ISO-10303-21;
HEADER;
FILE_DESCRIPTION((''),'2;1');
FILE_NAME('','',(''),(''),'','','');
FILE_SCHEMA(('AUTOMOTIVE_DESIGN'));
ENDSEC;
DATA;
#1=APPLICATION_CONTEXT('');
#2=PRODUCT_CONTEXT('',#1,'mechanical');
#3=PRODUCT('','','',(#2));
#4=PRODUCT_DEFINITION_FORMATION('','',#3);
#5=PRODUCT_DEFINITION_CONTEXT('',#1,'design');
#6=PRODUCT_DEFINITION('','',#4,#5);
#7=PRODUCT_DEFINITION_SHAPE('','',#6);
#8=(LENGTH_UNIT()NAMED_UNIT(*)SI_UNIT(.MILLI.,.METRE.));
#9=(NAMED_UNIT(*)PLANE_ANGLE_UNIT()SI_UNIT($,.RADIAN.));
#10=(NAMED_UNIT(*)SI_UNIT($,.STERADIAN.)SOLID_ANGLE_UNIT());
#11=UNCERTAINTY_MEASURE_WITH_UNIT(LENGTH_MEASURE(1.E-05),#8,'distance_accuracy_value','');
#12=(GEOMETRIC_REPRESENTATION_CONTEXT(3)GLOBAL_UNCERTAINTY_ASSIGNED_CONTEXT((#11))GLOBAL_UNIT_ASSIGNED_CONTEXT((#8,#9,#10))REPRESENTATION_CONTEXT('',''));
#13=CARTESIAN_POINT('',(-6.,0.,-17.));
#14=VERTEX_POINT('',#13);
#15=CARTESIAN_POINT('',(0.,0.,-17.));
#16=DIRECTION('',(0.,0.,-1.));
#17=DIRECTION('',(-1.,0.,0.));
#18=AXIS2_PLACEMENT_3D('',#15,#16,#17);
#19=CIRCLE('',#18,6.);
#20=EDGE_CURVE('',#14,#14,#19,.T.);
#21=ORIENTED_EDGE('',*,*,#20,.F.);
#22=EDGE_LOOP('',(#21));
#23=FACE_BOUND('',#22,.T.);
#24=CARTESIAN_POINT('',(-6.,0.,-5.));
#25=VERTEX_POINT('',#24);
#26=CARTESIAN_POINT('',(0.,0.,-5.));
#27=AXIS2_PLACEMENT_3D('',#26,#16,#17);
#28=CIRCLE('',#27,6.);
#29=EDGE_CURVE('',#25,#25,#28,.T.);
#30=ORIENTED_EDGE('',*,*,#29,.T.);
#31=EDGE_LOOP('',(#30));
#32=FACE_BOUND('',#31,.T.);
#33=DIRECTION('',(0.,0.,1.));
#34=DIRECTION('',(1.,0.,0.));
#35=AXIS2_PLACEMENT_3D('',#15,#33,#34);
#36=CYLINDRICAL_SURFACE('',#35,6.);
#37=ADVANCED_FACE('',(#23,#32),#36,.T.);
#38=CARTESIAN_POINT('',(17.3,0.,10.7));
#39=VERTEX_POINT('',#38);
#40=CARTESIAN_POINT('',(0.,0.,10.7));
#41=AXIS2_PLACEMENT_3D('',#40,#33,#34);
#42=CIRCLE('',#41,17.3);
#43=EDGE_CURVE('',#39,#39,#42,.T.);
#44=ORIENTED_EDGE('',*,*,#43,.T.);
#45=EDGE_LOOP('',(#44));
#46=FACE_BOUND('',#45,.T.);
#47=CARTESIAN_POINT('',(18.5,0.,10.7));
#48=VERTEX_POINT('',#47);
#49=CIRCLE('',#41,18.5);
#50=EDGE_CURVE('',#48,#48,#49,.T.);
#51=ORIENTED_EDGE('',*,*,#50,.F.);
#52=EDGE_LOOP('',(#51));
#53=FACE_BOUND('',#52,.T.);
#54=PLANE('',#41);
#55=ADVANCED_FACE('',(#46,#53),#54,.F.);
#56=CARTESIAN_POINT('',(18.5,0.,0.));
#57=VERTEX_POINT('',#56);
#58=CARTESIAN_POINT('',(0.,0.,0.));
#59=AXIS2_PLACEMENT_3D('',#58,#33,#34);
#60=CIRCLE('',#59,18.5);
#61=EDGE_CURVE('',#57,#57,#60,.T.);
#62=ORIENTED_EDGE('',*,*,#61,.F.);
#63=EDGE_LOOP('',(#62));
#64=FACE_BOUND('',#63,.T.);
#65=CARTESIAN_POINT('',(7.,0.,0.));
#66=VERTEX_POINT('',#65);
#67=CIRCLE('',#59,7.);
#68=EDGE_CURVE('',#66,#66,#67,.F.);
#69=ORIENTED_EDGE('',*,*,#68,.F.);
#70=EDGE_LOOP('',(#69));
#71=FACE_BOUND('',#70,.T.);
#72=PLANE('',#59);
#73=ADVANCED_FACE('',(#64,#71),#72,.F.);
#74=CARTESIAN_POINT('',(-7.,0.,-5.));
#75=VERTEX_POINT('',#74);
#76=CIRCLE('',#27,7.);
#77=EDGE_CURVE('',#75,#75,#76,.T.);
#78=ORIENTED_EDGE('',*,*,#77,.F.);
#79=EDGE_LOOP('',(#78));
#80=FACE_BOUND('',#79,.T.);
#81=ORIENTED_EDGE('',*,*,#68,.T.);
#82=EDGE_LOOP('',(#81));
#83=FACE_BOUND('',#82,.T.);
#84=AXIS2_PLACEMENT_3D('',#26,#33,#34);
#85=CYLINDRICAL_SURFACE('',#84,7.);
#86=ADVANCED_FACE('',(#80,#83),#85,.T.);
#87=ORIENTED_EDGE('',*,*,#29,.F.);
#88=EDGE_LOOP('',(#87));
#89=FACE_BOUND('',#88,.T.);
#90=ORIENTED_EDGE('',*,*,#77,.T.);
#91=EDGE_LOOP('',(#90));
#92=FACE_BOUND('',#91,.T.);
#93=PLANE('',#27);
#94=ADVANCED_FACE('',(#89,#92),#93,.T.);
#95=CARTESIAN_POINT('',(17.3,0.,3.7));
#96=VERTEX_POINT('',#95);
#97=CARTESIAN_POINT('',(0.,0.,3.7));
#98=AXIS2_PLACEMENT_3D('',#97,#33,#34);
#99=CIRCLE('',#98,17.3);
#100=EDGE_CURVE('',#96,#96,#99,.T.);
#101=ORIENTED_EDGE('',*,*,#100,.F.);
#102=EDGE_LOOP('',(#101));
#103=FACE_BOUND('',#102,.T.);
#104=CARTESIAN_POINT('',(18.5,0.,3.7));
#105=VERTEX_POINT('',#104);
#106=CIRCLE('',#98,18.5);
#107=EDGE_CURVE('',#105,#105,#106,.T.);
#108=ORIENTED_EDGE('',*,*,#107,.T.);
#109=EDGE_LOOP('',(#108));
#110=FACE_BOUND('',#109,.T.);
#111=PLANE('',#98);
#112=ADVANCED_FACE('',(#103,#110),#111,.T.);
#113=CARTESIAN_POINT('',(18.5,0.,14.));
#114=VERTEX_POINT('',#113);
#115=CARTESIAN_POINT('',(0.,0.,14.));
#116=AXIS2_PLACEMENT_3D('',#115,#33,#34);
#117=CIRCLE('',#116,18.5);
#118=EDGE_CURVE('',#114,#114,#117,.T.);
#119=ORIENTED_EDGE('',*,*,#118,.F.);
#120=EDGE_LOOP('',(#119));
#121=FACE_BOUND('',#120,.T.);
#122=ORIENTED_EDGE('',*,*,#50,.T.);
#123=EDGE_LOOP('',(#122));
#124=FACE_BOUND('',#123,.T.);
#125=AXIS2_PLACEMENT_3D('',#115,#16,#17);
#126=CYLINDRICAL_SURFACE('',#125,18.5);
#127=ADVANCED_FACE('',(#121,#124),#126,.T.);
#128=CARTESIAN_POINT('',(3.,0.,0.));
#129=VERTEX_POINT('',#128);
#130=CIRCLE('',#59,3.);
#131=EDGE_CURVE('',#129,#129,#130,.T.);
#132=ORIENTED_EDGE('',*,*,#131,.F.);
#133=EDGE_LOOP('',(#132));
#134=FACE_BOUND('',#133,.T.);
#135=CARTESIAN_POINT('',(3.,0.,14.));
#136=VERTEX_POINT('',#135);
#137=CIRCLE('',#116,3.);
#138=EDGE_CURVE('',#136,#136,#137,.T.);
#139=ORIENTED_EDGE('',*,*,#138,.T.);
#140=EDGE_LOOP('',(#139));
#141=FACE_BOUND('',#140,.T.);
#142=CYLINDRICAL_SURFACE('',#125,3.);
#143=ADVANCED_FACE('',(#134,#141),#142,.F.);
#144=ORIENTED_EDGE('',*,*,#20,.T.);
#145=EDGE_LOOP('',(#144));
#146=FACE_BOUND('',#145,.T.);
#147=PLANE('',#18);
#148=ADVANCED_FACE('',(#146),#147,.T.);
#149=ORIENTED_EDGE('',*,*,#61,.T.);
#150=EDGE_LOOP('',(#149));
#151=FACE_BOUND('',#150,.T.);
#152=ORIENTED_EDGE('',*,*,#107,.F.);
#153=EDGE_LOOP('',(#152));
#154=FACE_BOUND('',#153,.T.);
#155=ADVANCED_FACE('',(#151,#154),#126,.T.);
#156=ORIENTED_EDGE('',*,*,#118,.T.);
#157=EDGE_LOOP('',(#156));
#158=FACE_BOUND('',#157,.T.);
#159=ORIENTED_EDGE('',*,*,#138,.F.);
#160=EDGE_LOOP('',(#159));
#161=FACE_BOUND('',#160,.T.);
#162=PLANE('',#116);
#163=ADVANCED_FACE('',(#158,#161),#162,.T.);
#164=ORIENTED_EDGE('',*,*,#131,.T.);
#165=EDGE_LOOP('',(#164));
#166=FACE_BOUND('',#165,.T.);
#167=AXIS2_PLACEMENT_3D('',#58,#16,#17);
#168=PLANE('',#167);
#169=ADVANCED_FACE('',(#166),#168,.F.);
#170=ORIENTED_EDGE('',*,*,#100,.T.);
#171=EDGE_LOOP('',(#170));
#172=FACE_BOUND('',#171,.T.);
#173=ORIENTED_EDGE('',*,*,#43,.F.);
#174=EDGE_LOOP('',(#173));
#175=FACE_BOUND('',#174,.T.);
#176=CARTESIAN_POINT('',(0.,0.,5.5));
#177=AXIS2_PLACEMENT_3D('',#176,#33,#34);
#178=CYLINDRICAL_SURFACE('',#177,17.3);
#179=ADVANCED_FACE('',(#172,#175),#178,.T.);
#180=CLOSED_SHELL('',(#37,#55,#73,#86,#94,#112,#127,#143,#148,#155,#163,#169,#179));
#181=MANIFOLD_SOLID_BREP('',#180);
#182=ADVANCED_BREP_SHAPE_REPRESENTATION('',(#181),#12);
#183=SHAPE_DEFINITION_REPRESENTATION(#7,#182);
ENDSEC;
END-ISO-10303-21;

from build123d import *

# Parameters (mm, degrees)
SKETCH_1_R          = 18.5
SKETCH_1_R_2        = 3
EXTRUDE_1_DEPTH     = 14
CUT_EXTRUDE_START   = -2.2
SKETCH_2_R          = 18.5
SKETCH_2_R_2        = 17.3
CUT_EXTRUDE_1_DEPTH = 2.2
SKETCH_2_2_R        = 18.5
SKETCH_2_2_R_2      = 17.3
CUT_EXTRUDE_2_DEPTH = 0.8
CUT_EXTRUDE_START_2 = -4
SKETCH_2_4_R        = 18.5
SKETCH_2_4_R_2      = 17.3
CUT_EXTRUDE_3_DEPTH = 4
SKETCH_2_6_R        = 18.5
SKETCH_2_6_R_2      = 17.3
CUT_EXTRUDE_5_DEPTH = 3
SKETCH_3_R          = 7
EXTRUDE_3_DEPTH     = 5
SKETCH_4_R          = 6
EXTRUDE_4_DEPTH     = 12


with BuildPart() as part:
    # 草图1 → 凸台-拉伸1 (new body)
    with BuildSketch(Plane.XY):
        Circle(SKETCH_1_R)
        Circle(SKETCH_1_R_2, mode=Mode.SUBTRACT)
    extrude(amount=EXTRUDE_1_DEPTH)

    # 草图2 → 切除-拉伸1 (cut)
    with BuildSketch(Plane.XY.offset(7.7).offset(CUT_EXTRUDE_START)):
        Circle(SKETCH_2_R)
        Circle(SKETCH_2_R_2, mode=Mode.SUBTRACT)
    extrude(amount=CUT_EXTRUDE_1_DEPTH, mode=Mode.SUBTRACT)

    # 草图2<2> → 切除-拉伸2 (cut)
    with BuildSketch(Plane.XY.offset(7.7)):
        Circle(SKETCH_2_2_R)
        Circle(SKETCH_2_2_R_2, mode=Mode.SUBTRACT)
    extrude(amount=CUT_EXTRUDE_2_DEPTH, mode=Mode.SUBTRACT)

    # 草图2<4> → 切除-拉伸3 (cut)
    with BuildSketch(Plane.XY.offset(7.7).offset(CUT_EXTRUDE_START_2)):
        Circle(SKETCH_2_4_R)
        Circle(SKETCH_2_4_R_2, mode=Mode.SUBTRACT)
    extrude(amount=CUT_EXTRUDE_3_DEPTH, mode=Mode.SUBTRACT)

    # 草图2<6> → 切除-拉伸5 (cut)
    with BuildSketch(Plane.XY.offset(7.7)):
        Circle(SKETCH_2_6_R)
        Circle(SKETCH_2_6_R_2, mode=Mode.SUBTRACT)
    extrude(amount=CUT_EXTRUDE_5_DEPTH, mode=Mode.SUBTRACT)

    # 草图3 → 凸台-拉伸3 (add)
    with BuildSketch(Plane(origin=(0, 0, 0), x_dir=(-1, 0, 0), z_dir=(0, 0, -1))):
        Circle(SKETCH_3_R)
    extrude(amount=EXTRUDE_3_DEPTH)

    # 草图4 → 凸台-拉伸4 (add)
    with BuildSketch(Plane(origin=(0, 0, -5), x_dir=(-1, 0, 0), z_dir=(0, 0, -1))):
        Circle(SKETCH_4_R)
    extrude(amount=EXTRUDE_4_DEPTH)


solid = part.part
